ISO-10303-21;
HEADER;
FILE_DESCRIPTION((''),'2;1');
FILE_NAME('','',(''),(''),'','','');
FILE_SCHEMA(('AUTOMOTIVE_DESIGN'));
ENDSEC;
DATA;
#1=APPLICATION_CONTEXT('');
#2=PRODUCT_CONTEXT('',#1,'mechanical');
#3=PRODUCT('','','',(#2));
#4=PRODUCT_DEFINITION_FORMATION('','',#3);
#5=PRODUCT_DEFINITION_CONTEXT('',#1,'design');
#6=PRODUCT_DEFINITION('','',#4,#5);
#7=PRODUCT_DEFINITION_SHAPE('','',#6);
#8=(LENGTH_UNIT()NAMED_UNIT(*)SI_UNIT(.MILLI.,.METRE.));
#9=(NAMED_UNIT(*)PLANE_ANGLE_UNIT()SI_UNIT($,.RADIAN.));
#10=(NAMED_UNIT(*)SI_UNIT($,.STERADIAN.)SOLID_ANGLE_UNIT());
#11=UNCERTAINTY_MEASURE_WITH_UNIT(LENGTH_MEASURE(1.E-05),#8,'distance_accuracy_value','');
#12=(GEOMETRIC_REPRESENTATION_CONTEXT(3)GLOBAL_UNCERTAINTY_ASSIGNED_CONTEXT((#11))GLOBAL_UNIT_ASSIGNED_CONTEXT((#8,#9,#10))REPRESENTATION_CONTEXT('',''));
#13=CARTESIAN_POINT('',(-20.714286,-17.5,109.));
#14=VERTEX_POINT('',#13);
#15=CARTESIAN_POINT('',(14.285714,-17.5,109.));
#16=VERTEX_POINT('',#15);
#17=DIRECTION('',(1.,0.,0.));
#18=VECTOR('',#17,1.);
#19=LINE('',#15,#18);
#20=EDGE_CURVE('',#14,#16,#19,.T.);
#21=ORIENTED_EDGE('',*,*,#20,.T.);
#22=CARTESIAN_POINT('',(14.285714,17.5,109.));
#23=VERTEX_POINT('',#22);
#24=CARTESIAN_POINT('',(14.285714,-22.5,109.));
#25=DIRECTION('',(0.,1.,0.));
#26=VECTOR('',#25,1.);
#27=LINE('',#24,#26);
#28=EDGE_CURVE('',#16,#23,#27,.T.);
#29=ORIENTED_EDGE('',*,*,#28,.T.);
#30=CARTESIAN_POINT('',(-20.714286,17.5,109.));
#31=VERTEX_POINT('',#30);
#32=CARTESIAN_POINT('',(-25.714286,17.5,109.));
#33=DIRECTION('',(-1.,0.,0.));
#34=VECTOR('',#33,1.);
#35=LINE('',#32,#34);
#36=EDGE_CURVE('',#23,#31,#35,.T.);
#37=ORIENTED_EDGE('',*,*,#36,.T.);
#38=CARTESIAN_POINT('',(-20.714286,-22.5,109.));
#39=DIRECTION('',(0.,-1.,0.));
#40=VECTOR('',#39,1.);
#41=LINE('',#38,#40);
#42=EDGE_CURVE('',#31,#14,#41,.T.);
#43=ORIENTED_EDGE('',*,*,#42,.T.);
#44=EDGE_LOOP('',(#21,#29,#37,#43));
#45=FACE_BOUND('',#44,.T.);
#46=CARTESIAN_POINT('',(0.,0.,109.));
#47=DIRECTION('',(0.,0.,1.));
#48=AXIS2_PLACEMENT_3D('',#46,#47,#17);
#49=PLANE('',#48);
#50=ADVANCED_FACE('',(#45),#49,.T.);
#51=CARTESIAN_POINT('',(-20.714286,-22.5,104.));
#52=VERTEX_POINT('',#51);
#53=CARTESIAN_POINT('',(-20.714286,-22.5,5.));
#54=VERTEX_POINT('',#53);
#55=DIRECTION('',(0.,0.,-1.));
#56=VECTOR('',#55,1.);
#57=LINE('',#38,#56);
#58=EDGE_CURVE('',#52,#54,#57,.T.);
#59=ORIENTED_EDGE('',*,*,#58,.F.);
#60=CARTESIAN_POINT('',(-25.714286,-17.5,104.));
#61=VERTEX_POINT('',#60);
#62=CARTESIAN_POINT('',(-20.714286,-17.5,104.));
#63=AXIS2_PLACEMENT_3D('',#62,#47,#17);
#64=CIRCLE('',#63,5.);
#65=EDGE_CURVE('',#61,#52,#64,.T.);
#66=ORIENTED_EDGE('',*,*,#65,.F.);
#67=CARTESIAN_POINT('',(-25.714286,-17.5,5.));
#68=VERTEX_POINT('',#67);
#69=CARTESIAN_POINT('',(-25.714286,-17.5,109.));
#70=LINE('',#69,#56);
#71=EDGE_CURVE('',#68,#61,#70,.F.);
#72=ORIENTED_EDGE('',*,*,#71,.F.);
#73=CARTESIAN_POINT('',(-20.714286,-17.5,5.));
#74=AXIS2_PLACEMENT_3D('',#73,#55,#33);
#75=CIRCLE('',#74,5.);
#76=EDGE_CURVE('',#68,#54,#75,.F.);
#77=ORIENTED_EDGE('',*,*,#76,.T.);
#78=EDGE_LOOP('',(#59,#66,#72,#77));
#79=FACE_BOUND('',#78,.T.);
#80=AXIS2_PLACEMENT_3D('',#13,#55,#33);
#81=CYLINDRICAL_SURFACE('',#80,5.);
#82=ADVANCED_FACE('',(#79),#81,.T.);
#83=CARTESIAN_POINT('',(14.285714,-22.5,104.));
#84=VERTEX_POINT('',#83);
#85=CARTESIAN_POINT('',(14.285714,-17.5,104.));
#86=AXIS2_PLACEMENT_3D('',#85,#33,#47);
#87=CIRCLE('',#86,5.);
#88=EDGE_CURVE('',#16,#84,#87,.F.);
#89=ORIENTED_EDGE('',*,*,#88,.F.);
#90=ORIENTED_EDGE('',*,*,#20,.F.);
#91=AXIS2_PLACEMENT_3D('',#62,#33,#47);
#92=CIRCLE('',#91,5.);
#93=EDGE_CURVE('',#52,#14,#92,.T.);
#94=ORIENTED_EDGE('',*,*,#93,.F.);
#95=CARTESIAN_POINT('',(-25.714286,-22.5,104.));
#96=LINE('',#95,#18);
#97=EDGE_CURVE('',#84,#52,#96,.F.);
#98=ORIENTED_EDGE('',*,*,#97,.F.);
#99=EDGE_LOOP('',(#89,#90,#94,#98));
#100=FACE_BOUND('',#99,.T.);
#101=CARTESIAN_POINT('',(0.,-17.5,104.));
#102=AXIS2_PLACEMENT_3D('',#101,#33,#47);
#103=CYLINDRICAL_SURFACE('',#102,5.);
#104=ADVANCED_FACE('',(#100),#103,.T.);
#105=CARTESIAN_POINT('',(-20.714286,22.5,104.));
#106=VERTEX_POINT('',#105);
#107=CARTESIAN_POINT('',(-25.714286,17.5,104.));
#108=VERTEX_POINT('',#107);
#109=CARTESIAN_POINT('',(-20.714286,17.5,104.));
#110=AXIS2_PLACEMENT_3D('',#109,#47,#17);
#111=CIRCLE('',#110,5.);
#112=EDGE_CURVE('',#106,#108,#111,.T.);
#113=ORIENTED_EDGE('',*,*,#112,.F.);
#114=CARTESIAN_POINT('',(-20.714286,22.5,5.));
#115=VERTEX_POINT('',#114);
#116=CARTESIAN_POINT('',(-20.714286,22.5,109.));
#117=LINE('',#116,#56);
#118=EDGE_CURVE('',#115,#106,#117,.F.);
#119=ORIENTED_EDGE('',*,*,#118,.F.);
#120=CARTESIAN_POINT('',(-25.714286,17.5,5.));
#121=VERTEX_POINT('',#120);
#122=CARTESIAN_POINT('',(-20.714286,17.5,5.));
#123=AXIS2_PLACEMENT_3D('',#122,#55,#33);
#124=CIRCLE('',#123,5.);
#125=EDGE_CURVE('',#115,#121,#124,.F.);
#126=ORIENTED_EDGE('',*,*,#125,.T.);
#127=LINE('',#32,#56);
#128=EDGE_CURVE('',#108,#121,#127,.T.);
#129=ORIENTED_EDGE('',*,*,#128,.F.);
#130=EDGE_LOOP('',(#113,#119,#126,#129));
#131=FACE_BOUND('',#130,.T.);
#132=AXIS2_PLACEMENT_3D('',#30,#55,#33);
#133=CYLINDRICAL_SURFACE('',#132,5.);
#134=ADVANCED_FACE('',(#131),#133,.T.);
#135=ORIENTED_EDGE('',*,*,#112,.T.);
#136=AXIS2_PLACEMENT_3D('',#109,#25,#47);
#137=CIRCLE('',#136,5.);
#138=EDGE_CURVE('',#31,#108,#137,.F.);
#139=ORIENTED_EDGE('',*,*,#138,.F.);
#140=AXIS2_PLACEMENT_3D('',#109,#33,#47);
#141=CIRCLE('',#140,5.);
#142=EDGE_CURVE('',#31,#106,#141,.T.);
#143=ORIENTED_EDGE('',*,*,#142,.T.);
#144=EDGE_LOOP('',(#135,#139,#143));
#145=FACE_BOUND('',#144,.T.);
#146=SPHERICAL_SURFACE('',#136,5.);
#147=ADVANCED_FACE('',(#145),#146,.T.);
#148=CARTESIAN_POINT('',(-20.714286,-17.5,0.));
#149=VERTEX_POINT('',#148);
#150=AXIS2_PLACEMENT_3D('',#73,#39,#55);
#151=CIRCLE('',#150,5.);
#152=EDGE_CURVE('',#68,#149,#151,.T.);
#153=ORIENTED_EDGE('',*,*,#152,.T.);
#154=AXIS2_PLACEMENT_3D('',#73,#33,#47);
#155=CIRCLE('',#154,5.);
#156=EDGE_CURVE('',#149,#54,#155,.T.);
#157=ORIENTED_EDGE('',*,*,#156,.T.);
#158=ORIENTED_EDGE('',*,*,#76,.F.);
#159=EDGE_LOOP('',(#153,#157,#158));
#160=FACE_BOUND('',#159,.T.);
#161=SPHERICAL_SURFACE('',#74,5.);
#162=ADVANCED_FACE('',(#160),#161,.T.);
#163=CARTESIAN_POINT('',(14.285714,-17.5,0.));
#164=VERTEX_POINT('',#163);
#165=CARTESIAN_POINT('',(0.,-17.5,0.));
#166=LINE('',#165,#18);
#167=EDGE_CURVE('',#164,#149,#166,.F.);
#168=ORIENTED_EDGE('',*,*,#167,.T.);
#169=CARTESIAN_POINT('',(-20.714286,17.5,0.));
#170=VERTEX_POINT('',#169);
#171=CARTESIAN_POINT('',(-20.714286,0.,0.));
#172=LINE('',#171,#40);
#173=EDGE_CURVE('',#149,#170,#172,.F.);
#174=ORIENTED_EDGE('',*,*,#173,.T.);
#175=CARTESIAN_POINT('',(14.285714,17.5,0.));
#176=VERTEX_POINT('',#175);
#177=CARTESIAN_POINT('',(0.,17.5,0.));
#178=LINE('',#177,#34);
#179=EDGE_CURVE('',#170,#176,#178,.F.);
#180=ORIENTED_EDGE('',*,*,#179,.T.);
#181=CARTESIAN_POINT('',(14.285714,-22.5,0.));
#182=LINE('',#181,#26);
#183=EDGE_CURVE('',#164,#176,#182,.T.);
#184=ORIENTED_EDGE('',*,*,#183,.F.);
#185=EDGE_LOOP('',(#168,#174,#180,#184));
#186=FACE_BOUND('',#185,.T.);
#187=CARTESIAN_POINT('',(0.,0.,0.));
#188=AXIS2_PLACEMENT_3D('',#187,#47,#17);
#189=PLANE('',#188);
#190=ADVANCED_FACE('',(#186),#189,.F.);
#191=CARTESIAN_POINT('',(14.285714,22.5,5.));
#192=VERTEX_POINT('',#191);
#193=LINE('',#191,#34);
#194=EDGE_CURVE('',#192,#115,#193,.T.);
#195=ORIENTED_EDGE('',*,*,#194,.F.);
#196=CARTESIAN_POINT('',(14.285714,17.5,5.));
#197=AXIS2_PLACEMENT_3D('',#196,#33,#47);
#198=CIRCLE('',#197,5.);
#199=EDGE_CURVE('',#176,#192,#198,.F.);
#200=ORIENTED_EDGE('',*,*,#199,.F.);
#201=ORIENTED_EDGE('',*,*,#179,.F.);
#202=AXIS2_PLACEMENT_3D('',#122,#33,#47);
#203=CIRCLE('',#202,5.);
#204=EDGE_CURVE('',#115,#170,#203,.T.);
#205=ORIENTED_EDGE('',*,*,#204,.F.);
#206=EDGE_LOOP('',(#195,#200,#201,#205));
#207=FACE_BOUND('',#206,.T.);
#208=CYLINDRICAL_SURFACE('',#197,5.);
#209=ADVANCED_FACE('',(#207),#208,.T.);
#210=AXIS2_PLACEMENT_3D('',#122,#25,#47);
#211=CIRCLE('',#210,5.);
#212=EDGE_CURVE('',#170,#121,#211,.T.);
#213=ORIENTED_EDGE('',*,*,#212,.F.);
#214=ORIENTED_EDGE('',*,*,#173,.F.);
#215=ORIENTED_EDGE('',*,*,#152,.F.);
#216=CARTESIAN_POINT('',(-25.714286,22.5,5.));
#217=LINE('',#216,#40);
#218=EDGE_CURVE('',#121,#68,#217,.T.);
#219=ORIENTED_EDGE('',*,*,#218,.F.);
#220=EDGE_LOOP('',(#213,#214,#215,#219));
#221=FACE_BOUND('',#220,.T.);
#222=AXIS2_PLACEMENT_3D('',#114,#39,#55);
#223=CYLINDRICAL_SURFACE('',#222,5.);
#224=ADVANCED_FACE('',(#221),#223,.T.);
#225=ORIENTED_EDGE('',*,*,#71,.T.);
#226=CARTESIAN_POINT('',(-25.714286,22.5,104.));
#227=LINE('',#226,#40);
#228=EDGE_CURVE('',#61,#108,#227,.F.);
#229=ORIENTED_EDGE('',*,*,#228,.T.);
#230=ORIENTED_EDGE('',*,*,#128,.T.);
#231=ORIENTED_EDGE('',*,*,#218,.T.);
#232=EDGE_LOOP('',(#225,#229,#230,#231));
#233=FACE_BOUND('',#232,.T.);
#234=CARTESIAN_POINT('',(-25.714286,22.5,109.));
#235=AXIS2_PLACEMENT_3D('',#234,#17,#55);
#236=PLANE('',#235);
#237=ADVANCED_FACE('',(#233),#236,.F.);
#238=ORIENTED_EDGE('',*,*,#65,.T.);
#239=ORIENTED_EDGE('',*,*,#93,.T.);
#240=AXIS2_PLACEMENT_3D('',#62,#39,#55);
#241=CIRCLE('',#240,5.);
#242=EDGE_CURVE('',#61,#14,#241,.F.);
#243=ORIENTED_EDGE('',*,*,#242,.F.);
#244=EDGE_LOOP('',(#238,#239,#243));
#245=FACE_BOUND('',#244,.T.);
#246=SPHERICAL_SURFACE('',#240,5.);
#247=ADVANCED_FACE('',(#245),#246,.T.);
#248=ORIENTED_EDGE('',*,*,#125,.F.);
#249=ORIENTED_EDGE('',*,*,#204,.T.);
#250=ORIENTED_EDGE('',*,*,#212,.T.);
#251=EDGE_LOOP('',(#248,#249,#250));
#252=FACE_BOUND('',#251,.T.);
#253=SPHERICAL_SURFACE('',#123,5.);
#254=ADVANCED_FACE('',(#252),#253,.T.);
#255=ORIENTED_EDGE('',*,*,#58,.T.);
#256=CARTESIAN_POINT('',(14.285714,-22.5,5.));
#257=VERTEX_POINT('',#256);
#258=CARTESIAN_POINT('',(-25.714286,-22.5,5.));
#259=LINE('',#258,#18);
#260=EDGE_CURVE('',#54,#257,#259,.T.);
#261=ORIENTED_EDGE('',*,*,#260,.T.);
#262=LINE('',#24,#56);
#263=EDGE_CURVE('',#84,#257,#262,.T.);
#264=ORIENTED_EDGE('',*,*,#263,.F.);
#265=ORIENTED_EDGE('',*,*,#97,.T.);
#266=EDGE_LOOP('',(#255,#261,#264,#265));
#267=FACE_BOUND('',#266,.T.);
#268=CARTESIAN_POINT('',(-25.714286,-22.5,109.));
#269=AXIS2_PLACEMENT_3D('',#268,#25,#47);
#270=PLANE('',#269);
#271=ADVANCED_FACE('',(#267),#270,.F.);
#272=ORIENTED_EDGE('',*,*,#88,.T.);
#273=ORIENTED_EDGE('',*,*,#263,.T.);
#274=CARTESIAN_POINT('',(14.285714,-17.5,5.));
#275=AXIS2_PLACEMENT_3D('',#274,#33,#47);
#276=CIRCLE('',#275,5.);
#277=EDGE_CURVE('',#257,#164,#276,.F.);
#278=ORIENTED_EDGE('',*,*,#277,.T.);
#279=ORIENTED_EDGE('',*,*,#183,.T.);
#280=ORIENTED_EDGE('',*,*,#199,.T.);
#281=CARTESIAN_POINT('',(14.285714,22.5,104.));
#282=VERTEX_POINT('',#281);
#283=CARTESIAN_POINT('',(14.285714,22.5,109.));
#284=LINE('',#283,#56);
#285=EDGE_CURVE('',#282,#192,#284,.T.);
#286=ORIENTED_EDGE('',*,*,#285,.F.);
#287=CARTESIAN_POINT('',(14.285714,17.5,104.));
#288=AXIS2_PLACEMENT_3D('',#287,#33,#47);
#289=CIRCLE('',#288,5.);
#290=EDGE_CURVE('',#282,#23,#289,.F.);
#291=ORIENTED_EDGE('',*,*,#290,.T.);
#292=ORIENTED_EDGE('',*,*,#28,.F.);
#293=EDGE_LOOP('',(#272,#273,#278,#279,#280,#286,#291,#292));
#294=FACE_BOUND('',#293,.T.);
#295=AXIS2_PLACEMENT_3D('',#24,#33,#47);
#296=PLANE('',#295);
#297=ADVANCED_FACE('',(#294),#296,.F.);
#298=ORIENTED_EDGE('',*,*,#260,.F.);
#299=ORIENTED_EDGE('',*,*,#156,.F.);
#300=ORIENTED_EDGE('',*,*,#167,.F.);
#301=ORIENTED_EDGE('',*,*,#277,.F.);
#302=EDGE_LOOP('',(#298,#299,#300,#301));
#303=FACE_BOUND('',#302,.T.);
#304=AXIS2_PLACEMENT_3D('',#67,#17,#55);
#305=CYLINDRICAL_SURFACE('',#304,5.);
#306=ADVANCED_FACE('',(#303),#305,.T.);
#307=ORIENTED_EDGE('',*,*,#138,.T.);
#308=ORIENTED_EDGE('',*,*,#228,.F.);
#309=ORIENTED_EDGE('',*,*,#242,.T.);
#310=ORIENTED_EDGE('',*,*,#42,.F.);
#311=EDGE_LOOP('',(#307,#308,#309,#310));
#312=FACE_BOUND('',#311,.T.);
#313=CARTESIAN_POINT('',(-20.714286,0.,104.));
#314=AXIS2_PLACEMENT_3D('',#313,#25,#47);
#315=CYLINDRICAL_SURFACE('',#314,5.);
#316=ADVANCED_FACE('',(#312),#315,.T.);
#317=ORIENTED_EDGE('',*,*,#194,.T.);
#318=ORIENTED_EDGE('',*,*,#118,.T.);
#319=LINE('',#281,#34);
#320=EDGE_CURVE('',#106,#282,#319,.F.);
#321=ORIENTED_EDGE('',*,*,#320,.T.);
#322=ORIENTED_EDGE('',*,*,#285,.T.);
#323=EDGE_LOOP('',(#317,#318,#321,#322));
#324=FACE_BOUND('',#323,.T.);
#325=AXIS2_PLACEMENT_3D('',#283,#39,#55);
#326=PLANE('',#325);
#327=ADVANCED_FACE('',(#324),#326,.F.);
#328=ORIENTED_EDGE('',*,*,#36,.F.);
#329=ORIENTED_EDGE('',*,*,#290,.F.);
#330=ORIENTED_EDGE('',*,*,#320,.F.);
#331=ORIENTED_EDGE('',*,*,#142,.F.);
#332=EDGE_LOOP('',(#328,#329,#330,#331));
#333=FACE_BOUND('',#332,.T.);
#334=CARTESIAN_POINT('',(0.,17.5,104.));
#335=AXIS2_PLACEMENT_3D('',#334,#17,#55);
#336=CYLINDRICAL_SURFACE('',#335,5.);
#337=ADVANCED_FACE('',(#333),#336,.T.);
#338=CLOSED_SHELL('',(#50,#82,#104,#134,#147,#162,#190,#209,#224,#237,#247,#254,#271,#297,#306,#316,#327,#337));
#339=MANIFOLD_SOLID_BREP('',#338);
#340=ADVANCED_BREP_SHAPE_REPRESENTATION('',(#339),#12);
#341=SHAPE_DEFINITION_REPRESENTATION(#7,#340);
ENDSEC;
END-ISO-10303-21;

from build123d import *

# Parameters (mm, degrees)
SKETCH_1_W             = 40
SKETCH_1_H             = 45
EXTRUDE_80_70_70_DEPTH = 109
FILLET_2_R             = 5


with BuildPart() as part:
    # 草图1 → 80横向_70纵向_70竖向 (new body)
    with BuildSketch(Plane.XY):
        with Locations((-5.714285714, 0)):
            Rectangle(SKETCH_1_W, SKETCH_1_H)
    extrude(amount=EXTRUDE_80_70_70_DEPTH)

    # 圆角2
    fillet_2_edges = [part.edges().sort_by_distance(p)[0] for p in [
        (-5.714285714, 22.5, 109),
        (-25.714285714, 0, 109),
        (-5.714285714, 22.5, 0),
        (-5.714285714, -22.5, 0),
        (-25.714285714, 0, 0),
        (-25.714285714, 22.5, 54.5),
        (-25.714285714, -22.5, 54.5),
        (-5.714285714, -22.5, 109),
    ]]
    fillet(fillet_2_edges, radius=FILLET_2_R)


solid = part.part
